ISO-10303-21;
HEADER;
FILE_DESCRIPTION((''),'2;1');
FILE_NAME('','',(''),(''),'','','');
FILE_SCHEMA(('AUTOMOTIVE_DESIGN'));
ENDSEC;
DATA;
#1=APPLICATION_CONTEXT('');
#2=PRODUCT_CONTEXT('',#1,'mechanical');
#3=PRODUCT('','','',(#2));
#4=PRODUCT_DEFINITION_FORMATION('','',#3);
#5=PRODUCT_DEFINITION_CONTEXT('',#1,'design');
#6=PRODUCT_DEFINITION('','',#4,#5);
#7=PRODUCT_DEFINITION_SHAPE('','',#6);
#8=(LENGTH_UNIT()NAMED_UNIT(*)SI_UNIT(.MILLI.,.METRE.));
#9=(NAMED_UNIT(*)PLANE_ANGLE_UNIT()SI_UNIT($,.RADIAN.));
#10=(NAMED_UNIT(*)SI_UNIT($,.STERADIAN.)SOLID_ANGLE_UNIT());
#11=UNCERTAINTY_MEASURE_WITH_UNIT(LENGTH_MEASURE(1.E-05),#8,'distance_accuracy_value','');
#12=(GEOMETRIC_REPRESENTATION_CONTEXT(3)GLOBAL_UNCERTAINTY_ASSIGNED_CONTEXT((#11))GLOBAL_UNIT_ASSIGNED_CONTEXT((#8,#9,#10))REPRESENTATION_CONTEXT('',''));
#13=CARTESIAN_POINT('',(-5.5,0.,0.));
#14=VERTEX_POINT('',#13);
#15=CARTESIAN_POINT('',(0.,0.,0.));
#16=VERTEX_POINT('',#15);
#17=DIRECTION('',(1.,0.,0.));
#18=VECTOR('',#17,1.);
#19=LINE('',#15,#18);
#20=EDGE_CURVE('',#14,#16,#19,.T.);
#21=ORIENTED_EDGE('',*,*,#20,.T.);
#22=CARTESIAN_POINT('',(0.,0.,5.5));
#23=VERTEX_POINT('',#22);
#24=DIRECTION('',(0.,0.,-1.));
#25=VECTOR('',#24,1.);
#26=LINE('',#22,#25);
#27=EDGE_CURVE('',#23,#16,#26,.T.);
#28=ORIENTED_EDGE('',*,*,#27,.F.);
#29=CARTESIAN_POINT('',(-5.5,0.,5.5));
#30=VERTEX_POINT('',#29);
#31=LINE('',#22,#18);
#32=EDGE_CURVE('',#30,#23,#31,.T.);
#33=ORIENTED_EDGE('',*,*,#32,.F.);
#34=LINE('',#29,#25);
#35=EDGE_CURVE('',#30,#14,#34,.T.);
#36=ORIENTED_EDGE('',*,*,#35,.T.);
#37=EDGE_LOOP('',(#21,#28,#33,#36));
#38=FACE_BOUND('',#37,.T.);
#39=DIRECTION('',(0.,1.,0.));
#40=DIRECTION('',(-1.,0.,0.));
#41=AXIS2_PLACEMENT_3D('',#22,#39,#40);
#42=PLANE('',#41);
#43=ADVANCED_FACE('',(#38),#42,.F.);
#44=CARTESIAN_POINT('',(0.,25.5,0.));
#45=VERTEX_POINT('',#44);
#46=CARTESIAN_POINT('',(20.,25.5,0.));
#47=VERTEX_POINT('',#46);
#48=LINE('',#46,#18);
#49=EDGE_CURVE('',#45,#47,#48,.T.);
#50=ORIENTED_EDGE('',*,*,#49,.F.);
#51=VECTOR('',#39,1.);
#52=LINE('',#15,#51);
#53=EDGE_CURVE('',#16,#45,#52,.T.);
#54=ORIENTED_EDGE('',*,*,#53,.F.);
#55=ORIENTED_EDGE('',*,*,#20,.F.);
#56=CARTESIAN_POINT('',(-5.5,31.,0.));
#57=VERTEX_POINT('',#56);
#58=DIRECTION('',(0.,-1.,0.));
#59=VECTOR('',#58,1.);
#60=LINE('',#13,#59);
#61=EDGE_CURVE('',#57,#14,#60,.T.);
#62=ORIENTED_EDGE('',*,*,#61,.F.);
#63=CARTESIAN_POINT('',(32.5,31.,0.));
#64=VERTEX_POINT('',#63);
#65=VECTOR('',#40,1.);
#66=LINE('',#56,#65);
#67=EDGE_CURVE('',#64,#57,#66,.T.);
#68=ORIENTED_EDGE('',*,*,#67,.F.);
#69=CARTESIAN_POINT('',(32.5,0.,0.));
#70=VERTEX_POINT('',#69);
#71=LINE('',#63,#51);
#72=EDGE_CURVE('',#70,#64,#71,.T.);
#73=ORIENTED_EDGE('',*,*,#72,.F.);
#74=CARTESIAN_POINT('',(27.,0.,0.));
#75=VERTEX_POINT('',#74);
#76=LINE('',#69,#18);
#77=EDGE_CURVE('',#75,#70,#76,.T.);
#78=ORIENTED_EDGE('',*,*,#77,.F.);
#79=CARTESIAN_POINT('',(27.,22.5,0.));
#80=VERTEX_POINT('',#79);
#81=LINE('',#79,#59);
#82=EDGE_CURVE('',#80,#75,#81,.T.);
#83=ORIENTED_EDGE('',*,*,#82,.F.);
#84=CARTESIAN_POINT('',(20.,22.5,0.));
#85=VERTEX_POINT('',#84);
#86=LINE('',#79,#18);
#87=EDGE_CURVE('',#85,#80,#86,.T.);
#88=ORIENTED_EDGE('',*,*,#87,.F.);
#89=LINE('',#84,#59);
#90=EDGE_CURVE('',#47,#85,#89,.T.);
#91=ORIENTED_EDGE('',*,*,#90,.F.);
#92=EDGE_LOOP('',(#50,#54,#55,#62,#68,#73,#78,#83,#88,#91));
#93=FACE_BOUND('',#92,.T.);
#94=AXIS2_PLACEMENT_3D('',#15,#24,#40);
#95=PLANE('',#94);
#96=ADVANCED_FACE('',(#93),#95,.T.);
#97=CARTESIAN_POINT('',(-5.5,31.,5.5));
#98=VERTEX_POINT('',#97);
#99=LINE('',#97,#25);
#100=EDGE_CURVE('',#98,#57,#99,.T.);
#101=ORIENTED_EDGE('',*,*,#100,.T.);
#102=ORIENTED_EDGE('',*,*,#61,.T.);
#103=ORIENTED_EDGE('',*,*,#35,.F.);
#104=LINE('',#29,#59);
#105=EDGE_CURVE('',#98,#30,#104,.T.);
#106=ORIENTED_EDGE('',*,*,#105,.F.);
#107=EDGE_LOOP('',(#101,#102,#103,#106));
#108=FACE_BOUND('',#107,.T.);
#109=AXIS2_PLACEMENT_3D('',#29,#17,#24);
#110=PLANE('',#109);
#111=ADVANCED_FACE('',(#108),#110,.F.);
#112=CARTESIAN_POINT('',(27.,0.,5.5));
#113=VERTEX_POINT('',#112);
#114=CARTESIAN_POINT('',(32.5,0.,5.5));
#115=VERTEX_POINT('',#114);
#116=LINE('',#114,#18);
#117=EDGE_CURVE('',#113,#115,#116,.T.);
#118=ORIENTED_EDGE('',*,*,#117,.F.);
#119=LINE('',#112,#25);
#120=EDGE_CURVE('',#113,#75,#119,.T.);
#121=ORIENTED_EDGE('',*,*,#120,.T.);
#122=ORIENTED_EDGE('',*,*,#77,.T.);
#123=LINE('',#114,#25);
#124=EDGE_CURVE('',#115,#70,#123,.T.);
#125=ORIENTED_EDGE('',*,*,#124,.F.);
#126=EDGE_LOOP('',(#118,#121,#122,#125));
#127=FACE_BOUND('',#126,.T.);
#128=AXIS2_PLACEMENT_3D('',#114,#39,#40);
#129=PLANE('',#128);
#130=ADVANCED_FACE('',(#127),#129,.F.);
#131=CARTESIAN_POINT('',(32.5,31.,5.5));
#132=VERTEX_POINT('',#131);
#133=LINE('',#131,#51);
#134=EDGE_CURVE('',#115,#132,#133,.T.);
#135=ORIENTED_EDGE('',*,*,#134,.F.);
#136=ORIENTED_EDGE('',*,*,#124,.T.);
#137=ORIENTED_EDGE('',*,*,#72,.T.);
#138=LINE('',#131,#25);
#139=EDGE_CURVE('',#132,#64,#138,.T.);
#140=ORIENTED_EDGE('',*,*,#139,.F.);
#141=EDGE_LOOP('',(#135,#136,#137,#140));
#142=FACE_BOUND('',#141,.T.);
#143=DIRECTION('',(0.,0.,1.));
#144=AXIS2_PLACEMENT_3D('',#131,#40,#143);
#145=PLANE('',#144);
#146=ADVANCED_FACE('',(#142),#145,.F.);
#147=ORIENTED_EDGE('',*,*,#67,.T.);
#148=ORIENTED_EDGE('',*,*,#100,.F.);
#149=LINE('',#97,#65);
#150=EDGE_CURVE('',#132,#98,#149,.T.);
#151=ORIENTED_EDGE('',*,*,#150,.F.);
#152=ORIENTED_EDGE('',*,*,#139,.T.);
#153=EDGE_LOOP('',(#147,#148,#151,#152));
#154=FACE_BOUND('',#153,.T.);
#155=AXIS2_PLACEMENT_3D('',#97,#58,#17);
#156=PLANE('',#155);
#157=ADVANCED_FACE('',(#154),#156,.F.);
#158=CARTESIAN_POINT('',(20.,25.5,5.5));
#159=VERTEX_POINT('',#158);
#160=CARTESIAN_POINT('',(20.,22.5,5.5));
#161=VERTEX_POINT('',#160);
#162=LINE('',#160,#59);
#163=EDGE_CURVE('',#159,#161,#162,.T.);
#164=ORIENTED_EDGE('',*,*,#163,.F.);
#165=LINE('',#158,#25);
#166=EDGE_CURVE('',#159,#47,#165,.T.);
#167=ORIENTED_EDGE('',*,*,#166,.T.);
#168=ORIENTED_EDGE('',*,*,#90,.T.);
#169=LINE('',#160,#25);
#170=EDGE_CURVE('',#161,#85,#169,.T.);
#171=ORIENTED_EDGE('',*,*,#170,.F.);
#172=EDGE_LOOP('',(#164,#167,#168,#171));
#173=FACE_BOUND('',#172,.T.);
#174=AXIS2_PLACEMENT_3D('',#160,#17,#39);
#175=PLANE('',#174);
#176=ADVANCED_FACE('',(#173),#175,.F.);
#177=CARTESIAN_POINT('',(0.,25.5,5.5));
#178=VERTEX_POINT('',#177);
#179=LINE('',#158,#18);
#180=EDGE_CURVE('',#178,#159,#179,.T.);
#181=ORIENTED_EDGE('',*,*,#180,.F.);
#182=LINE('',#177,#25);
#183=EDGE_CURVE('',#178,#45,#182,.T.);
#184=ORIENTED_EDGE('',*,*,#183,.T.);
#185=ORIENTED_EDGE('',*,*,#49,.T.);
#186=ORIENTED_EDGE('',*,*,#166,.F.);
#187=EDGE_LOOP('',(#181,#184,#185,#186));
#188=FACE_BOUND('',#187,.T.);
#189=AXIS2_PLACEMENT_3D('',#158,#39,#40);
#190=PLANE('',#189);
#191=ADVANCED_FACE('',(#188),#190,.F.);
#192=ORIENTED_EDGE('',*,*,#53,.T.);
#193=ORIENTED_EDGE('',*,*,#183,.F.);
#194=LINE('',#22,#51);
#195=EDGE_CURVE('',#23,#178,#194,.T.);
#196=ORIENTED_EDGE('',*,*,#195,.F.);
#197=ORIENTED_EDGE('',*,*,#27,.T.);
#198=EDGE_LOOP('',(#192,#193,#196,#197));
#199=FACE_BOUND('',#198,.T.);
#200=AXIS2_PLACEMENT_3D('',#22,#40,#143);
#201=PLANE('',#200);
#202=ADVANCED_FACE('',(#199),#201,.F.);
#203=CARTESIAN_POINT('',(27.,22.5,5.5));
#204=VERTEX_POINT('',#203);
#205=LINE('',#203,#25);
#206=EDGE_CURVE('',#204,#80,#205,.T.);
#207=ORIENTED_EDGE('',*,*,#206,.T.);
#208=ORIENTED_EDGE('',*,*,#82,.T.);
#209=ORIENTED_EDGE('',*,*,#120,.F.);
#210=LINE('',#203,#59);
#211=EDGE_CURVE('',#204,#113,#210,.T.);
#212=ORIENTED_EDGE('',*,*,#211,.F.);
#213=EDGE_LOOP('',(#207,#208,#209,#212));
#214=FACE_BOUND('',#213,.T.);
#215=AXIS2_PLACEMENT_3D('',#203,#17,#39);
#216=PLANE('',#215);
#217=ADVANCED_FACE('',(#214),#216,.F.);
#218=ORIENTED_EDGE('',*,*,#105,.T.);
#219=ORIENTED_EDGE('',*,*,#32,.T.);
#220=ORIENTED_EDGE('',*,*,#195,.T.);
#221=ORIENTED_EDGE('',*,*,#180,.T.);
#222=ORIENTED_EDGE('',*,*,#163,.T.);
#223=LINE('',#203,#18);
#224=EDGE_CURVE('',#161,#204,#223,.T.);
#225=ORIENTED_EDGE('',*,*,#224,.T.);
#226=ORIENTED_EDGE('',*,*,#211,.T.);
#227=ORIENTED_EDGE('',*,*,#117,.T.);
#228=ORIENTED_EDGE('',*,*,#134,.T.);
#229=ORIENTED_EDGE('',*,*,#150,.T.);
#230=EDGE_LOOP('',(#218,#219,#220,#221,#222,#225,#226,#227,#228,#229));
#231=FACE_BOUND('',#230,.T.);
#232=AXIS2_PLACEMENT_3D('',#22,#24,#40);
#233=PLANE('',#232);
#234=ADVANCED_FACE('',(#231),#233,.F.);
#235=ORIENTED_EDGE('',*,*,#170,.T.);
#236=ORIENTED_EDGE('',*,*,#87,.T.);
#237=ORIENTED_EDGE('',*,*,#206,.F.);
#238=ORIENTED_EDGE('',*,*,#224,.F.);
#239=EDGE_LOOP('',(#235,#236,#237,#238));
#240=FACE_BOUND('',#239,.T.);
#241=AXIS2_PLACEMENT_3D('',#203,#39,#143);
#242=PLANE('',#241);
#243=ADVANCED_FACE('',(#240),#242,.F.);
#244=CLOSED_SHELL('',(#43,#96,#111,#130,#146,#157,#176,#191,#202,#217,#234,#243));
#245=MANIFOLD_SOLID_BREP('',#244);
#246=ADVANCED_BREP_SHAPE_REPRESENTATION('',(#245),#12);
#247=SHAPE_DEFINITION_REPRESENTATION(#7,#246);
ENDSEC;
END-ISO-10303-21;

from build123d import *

# Parameters (mm, degrees)
EXTRUDE_1_DEPTH = 5.5


with BuildPart() as part:
    # ｽｹｯﾁ1 → ﾎﾞｽ - 押し出し1 (new body)
    with BuildSketch(Plane.XY):
        Polygon((0, 0), (0, 25.5), (20, 25.5), (20, 22.5), (27, 22.5), (27, 0), (32.5, 0), (32.5, 31), (-5.5, 31), (-5.5, 0), align=None)
    extrude(amount=EXTRUDE_1_DEPTH)


solid = part.part
